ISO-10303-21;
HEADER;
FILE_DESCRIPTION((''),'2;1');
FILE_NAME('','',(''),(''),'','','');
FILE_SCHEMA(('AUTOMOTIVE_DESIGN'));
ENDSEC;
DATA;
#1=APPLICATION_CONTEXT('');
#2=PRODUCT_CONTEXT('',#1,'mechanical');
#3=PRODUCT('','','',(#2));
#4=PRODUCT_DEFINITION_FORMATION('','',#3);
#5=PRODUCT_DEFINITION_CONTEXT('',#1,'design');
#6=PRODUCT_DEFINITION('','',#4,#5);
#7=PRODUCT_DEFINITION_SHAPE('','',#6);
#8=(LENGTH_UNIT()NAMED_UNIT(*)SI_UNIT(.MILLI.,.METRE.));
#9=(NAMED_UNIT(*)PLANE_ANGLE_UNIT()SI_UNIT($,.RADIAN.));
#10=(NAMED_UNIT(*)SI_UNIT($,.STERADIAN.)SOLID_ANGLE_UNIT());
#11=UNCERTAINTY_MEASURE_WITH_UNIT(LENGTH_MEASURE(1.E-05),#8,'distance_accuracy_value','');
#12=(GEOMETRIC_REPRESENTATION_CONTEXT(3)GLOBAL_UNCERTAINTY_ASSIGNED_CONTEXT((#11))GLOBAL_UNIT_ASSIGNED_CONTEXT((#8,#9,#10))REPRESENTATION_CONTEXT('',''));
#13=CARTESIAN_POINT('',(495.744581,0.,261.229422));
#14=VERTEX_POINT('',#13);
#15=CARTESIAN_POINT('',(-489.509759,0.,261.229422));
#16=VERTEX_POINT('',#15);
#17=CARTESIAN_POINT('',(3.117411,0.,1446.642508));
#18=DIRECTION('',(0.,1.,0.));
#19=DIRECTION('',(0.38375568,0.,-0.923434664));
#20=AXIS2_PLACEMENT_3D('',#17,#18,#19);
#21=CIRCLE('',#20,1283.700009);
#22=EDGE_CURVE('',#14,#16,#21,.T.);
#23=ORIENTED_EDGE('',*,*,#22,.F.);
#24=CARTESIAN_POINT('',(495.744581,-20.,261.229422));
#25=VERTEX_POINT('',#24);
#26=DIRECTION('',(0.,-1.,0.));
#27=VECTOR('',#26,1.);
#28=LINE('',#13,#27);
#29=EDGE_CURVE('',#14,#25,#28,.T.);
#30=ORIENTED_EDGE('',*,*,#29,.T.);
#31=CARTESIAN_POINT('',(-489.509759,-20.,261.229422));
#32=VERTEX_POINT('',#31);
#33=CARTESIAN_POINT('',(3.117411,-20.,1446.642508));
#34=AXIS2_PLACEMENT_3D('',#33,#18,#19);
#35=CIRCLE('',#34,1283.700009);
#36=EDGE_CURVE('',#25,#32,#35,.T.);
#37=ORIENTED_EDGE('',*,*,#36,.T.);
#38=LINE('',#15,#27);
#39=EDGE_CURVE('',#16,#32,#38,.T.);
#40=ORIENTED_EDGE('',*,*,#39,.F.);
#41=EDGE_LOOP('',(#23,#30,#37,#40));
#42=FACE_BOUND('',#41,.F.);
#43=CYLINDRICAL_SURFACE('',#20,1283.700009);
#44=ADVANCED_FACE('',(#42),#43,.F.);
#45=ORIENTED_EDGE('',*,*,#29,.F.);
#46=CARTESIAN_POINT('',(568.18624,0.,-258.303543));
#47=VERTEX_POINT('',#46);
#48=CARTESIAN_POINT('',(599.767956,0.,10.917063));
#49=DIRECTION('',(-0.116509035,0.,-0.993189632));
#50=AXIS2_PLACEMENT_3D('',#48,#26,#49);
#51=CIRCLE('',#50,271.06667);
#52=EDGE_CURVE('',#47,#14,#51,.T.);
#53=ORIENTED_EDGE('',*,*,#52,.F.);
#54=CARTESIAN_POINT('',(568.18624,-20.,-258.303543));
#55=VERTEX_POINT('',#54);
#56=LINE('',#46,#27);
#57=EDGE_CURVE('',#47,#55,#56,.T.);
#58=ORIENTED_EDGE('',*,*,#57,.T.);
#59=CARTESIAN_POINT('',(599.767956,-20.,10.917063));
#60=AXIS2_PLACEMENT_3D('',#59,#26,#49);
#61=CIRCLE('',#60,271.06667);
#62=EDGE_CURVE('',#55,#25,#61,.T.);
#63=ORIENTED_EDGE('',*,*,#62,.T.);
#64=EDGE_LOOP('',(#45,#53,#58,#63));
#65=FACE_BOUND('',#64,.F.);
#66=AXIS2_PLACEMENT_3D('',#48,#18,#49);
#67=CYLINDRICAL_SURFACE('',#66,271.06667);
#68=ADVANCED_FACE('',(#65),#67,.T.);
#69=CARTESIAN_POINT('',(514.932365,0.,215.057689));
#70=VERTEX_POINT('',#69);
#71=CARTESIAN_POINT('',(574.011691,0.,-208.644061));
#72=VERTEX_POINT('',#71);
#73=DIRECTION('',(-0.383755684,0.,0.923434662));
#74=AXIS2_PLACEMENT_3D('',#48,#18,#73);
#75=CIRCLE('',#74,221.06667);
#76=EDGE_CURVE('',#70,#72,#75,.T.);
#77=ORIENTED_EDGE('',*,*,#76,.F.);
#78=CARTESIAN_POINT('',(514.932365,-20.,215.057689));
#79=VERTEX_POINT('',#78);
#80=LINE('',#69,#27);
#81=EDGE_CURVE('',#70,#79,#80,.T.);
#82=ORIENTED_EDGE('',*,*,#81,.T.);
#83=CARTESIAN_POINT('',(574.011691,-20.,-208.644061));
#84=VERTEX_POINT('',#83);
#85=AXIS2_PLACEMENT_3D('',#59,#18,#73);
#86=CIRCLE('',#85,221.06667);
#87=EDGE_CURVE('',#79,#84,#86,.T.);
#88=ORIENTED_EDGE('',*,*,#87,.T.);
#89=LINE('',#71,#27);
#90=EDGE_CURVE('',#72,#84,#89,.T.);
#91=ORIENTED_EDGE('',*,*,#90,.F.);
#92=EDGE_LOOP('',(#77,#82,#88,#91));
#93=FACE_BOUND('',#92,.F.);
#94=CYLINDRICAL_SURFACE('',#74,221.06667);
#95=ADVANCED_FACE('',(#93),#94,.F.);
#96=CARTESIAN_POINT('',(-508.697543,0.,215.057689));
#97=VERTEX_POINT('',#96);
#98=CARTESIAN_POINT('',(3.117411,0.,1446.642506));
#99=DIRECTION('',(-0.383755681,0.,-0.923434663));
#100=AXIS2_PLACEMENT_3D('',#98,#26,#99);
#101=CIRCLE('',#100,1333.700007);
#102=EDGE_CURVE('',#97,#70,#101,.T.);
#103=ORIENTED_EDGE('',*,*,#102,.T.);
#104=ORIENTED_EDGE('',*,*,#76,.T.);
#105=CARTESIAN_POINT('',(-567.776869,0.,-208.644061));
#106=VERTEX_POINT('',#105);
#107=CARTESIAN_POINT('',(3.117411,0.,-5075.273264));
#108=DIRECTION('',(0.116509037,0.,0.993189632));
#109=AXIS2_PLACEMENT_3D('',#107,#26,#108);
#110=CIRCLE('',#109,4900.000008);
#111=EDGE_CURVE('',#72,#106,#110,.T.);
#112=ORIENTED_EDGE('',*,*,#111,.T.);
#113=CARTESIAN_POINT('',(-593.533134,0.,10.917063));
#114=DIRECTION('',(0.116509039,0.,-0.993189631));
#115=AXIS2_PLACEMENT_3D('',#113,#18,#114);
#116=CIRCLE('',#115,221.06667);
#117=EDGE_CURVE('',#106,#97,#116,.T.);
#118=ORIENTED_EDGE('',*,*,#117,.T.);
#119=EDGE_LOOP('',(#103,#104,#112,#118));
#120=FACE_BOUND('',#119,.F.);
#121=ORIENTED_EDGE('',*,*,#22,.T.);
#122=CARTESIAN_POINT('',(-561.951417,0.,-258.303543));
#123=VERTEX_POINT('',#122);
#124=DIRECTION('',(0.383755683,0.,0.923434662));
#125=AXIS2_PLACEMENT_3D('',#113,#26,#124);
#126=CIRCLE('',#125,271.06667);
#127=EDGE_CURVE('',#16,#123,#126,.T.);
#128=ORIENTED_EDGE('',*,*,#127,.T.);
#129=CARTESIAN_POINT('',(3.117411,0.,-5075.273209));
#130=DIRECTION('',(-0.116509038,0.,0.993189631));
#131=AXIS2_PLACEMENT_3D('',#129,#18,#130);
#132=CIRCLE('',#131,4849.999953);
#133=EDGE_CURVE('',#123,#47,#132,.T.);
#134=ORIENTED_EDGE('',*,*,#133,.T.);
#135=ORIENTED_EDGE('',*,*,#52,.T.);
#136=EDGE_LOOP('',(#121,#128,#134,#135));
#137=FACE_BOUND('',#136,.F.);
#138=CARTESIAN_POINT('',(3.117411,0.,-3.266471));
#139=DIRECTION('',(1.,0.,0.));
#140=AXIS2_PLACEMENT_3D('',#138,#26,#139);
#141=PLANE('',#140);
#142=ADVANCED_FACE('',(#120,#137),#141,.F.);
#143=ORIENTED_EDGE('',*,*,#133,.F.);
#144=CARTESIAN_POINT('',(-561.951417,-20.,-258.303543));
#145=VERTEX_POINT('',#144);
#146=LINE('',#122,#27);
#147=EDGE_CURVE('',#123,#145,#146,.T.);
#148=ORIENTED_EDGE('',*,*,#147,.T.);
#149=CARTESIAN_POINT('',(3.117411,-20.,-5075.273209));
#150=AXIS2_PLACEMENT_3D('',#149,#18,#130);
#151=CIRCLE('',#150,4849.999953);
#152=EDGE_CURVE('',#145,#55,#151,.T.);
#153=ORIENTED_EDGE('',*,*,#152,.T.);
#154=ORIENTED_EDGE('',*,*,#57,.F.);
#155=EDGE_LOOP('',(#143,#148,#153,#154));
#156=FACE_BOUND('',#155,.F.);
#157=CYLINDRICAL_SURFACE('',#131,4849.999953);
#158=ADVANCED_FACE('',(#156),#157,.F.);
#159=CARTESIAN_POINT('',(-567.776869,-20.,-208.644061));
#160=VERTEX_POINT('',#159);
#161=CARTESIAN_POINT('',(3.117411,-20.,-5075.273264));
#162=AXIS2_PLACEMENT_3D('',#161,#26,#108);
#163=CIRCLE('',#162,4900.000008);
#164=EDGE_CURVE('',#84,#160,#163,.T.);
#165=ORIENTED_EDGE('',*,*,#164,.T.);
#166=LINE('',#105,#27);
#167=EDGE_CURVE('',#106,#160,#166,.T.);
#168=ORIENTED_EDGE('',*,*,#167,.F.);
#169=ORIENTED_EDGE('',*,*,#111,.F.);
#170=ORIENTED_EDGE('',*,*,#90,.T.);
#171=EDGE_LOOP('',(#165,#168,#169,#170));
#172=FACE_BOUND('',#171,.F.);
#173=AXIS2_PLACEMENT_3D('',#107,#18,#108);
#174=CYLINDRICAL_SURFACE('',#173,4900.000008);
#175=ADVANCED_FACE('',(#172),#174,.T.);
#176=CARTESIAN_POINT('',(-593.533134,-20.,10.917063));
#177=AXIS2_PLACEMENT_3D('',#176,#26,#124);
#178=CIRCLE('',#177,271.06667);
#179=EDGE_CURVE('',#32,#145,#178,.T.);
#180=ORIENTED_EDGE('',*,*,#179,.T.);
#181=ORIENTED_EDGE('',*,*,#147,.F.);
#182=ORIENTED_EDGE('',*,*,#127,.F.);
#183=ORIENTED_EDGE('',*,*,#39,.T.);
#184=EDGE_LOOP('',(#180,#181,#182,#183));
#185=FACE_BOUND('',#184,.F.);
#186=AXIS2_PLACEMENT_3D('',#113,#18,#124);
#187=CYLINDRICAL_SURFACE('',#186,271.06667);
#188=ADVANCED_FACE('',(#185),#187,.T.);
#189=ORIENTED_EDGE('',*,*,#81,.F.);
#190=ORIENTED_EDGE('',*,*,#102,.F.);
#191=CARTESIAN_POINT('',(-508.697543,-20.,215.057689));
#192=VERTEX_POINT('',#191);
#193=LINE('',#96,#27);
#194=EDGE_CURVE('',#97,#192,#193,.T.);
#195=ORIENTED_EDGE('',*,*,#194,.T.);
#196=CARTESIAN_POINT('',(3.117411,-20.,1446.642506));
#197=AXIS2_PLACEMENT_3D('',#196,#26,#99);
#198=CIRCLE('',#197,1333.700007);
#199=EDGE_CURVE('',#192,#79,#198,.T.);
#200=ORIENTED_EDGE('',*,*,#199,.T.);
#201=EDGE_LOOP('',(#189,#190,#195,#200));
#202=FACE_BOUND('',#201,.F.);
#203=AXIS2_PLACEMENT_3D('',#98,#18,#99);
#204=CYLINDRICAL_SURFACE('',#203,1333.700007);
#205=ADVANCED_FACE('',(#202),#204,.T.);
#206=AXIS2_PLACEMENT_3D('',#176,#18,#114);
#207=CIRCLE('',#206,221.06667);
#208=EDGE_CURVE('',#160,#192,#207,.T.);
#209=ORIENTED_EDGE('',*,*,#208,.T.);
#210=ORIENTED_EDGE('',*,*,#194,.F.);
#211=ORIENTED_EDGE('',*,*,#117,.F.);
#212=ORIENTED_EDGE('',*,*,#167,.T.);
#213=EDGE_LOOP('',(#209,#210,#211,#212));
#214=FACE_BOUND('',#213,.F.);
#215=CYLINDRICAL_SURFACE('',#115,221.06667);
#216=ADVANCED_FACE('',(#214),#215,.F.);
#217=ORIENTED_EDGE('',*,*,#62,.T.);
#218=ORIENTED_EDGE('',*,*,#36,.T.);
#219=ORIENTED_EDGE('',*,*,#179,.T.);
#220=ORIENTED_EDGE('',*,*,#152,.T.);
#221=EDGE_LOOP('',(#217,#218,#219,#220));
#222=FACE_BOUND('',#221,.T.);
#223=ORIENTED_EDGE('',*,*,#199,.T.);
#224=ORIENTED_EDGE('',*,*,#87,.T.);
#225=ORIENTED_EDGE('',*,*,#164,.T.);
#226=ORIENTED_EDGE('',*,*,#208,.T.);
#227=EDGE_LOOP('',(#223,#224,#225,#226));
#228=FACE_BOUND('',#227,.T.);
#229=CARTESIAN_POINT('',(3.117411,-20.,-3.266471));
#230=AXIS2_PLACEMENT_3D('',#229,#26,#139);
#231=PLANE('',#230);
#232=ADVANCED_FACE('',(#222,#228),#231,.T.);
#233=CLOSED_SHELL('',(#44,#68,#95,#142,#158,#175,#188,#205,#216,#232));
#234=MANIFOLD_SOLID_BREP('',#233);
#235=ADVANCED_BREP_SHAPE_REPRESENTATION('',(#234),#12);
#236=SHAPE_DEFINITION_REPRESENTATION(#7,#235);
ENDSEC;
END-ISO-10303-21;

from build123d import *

# Parameters (mm, degrees)
F1_DEPTH = 20


with BuildPart() as f1:
    # F0 (on Front) → F1 (new body)
    with BuildSketch(Plane.XZ):
        with BuildLine():
            ThreePointArc((495.744581, 261.229422), (3.117411, 162.942499), (-489.509759, 261.229422))
            ThreePointArc((-489.509759, 261.229422), (-862.002519, 48.351392), (-561.951417, -258.303543))
            ThreePointArc((-561.951417, -258.303543), (3.117411, -225.273256), (568.18624, -258.303543))
            ThreePointArc((568.18624, -258.303543), (868.237341, 48.351392), (495.744581, 261.229422))
        make_face()
        with BuildLine():
            ThreePointArc((-567.776869, -208.644061), (-812.481605, 41.446388), (-508.697543, 215.057689))
            ThreePointArc((-508.697543, 215.057689), (3.117411, 112.942499), (514.932365, 215.057689))
            ThreePointArc((514.932365, 215.057689), (818.716427, 41.446388), (574.011691, -208.644061))
            ThreePointArc((574.011691, -208.644061), (3.117411, -175.273256), (-567.776869, -208.644061))
        make_face(mode=Mode.SUBTRACT)
    extrude(amount=F1_DEPTH)


solid = f1.part
